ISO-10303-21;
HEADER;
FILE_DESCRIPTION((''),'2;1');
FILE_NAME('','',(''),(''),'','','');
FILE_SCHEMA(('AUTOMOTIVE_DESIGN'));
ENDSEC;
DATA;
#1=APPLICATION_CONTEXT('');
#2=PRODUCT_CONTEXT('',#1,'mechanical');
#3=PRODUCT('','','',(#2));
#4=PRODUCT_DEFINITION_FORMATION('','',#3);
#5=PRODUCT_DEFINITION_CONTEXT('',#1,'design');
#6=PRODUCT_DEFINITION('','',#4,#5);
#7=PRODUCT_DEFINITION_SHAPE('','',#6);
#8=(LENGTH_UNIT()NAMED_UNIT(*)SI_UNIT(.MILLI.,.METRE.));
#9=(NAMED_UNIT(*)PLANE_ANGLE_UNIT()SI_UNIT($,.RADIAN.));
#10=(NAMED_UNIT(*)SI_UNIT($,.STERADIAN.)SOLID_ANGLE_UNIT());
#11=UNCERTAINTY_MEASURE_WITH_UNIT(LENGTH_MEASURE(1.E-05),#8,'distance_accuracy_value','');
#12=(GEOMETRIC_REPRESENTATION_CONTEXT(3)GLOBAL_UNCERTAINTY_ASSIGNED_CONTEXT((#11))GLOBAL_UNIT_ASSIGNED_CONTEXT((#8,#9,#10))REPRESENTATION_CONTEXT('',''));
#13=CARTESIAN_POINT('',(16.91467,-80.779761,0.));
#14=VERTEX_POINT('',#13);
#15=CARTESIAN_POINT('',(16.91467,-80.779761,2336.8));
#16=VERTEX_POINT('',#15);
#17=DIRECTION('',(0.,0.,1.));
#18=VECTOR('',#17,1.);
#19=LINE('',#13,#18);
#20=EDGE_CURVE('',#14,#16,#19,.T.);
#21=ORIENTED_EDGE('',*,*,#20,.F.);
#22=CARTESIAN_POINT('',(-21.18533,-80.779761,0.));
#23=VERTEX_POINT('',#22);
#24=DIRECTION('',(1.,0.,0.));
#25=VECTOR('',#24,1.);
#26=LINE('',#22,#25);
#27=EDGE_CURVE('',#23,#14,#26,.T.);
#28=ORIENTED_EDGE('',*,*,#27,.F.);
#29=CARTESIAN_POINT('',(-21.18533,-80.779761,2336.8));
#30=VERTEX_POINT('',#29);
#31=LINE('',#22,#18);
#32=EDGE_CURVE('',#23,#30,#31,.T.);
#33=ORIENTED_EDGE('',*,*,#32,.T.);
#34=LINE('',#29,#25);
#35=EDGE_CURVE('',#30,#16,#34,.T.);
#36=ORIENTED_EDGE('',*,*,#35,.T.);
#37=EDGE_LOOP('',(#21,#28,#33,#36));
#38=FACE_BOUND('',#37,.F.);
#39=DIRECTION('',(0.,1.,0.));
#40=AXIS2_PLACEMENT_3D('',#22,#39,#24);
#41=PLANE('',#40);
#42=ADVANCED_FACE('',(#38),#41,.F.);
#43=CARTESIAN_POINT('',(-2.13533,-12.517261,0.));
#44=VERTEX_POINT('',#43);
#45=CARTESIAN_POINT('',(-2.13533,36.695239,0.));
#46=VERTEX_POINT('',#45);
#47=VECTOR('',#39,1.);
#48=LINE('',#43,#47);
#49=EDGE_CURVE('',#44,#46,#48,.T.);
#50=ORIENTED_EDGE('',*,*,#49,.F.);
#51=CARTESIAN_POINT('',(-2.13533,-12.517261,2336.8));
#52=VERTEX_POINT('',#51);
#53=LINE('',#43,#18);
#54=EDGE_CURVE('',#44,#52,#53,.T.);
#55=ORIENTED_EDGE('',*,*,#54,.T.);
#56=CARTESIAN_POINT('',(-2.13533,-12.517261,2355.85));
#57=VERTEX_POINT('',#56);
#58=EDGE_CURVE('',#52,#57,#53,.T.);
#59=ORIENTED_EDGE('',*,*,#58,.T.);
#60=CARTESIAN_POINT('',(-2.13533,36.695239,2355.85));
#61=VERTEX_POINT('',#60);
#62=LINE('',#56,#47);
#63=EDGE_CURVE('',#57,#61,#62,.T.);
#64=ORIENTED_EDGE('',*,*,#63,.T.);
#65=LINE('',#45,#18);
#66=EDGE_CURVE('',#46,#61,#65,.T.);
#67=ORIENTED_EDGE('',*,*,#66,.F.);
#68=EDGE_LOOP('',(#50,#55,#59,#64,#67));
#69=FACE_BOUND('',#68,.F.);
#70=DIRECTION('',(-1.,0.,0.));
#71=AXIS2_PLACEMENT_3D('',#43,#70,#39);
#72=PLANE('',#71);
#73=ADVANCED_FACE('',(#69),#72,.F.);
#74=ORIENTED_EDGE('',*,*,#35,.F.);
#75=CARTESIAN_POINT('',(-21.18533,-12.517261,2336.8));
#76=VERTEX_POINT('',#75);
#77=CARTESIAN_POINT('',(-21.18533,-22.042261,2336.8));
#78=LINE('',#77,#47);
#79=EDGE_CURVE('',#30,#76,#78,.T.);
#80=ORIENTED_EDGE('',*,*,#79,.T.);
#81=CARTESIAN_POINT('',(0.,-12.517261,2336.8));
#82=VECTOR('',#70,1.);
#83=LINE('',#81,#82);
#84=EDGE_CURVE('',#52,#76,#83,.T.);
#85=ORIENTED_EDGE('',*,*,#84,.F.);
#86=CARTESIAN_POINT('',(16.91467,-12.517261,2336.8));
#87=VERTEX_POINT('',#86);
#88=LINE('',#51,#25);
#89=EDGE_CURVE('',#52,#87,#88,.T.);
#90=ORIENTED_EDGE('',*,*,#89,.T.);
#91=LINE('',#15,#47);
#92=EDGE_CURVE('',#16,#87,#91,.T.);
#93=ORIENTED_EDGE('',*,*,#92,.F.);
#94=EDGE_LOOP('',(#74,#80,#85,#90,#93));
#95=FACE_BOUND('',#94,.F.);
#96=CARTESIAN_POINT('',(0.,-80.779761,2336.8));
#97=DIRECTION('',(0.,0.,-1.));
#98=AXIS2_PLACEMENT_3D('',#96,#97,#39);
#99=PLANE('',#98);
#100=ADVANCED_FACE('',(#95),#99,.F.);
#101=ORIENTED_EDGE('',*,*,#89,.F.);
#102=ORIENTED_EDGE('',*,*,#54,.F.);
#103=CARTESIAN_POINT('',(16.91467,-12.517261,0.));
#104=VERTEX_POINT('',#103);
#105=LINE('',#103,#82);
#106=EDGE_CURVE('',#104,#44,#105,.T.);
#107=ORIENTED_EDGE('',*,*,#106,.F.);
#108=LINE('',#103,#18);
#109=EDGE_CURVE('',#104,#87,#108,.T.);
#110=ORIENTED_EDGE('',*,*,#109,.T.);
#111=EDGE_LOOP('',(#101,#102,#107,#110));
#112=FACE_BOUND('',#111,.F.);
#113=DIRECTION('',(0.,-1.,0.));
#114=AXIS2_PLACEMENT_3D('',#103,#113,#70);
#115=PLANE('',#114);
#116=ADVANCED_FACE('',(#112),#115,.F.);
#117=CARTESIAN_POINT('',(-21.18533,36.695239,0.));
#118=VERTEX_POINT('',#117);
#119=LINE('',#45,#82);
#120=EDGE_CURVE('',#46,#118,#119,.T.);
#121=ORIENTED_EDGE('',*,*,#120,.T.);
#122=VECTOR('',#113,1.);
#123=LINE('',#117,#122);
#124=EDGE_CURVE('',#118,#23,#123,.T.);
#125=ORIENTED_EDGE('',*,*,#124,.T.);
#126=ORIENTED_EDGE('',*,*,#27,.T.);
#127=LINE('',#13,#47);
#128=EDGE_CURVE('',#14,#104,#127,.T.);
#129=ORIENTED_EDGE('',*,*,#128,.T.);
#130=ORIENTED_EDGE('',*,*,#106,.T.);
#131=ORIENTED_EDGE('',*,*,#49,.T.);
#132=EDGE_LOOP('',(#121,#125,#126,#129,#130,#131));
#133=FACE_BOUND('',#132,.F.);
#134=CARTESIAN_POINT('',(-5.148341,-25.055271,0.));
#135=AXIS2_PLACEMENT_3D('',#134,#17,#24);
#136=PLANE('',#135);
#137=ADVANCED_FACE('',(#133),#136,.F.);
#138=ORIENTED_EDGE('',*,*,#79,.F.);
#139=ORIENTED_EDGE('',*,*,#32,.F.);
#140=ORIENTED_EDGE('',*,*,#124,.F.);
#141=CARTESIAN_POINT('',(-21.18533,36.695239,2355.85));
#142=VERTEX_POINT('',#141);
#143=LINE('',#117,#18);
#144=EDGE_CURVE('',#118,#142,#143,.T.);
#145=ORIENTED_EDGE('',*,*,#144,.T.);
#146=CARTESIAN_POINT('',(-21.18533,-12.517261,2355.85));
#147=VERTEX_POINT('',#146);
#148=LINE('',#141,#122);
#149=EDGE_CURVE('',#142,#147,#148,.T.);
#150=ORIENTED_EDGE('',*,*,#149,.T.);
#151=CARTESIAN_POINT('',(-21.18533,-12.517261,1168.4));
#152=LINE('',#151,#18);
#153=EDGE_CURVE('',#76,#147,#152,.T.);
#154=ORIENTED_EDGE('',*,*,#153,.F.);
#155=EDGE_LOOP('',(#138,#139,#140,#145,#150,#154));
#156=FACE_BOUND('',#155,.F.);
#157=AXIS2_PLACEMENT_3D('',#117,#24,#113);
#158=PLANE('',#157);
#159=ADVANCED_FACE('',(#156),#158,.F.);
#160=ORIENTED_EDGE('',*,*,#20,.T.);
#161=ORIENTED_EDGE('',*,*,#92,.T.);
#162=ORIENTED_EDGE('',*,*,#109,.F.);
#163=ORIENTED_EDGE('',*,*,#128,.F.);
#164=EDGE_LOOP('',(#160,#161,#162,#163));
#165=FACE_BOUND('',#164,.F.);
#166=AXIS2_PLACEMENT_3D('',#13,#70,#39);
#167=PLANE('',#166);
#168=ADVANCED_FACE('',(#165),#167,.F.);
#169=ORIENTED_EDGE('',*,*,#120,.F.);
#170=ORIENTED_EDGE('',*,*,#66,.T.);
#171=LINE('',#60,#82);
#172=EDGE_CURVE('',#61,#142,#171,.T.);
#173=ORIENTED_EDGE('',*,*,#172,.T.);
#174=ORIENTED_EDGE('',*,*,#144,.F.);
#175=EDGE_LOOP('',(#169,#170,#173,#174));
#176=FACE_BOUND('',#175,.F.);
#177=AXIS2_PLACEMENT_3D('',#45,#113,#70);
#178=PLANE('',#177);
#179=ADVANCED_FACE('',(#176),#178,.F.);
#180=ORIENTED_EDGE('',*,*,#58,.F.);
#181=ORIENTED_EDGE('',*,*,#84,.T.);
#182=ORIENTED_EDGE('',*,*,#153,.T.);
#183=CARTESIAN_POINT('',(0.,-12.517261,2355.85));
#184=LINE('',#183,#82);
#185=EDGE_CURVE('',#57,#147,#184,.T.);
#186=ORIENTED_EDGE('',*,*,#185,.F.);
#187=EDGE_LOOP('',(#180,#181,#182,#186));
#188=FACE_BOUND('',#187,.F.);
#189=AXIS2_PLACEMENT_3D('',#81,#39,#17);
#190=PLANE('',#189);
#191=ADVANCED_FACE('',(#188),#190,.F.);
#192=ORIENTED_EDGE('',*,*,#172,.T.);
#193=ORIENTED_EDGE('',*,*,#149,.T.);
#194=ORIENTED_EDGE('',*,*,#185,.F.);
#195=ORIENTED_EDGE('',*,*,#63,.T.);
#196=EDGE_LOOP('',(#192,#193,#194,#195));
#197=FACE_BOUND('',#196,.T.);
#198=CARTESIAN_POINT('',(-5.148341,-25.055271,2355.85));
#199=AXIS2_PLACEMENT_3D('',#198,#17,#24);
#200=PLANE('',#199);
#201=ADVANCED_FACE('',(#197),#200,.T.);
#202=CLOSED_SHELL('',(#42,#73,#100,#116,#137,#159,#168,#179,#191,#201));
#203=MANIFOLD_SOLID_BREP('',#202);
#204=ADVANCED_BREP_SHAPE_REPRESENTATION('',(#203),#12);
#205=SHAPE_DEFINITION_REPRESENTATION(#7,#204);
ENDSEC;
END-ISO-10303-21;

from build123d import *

# Parameters (mm, degrees)
F1_DEPTH      = 2355.85
F2_W          = 68.2625
F2_H          = 19.05
F3_DEPTH      = 21.1863303725
F3_DEPTH_BACK = 16.9156696275


with BuildPart() as f1:
    # F0 (on Top) → F1 (new body)
    with BuildSketch(Plane.XY):
        Polygon((-2.1353303725, -12.5172607846), (-2.1353303725, 36.6952392154), (-21.1853303725, 36.6952392154), (-21.1853303725, -80.7797607846), (16.9146696275, -80.7797607846), (16.9146696275, -12.5172607846), align=None)
    extrude(amount=F1_DEPTH)

    # F2 (on Right) → F3 (cut, two sides)
    with BuildSketch(Plane.YZ) as f3_sk:
        with Locations((-46.6485107846, 2346.325)):
            Rectangle(F2_W, F2_H)
    extrude(amount=-F3_DEPTH, mode=Mode.SUBTRACT)
    extrude(f3_sk.sketch, amount=F3_DEPTH_BACK, mode=Mode.SUBTRACT)


solid = f1.part
